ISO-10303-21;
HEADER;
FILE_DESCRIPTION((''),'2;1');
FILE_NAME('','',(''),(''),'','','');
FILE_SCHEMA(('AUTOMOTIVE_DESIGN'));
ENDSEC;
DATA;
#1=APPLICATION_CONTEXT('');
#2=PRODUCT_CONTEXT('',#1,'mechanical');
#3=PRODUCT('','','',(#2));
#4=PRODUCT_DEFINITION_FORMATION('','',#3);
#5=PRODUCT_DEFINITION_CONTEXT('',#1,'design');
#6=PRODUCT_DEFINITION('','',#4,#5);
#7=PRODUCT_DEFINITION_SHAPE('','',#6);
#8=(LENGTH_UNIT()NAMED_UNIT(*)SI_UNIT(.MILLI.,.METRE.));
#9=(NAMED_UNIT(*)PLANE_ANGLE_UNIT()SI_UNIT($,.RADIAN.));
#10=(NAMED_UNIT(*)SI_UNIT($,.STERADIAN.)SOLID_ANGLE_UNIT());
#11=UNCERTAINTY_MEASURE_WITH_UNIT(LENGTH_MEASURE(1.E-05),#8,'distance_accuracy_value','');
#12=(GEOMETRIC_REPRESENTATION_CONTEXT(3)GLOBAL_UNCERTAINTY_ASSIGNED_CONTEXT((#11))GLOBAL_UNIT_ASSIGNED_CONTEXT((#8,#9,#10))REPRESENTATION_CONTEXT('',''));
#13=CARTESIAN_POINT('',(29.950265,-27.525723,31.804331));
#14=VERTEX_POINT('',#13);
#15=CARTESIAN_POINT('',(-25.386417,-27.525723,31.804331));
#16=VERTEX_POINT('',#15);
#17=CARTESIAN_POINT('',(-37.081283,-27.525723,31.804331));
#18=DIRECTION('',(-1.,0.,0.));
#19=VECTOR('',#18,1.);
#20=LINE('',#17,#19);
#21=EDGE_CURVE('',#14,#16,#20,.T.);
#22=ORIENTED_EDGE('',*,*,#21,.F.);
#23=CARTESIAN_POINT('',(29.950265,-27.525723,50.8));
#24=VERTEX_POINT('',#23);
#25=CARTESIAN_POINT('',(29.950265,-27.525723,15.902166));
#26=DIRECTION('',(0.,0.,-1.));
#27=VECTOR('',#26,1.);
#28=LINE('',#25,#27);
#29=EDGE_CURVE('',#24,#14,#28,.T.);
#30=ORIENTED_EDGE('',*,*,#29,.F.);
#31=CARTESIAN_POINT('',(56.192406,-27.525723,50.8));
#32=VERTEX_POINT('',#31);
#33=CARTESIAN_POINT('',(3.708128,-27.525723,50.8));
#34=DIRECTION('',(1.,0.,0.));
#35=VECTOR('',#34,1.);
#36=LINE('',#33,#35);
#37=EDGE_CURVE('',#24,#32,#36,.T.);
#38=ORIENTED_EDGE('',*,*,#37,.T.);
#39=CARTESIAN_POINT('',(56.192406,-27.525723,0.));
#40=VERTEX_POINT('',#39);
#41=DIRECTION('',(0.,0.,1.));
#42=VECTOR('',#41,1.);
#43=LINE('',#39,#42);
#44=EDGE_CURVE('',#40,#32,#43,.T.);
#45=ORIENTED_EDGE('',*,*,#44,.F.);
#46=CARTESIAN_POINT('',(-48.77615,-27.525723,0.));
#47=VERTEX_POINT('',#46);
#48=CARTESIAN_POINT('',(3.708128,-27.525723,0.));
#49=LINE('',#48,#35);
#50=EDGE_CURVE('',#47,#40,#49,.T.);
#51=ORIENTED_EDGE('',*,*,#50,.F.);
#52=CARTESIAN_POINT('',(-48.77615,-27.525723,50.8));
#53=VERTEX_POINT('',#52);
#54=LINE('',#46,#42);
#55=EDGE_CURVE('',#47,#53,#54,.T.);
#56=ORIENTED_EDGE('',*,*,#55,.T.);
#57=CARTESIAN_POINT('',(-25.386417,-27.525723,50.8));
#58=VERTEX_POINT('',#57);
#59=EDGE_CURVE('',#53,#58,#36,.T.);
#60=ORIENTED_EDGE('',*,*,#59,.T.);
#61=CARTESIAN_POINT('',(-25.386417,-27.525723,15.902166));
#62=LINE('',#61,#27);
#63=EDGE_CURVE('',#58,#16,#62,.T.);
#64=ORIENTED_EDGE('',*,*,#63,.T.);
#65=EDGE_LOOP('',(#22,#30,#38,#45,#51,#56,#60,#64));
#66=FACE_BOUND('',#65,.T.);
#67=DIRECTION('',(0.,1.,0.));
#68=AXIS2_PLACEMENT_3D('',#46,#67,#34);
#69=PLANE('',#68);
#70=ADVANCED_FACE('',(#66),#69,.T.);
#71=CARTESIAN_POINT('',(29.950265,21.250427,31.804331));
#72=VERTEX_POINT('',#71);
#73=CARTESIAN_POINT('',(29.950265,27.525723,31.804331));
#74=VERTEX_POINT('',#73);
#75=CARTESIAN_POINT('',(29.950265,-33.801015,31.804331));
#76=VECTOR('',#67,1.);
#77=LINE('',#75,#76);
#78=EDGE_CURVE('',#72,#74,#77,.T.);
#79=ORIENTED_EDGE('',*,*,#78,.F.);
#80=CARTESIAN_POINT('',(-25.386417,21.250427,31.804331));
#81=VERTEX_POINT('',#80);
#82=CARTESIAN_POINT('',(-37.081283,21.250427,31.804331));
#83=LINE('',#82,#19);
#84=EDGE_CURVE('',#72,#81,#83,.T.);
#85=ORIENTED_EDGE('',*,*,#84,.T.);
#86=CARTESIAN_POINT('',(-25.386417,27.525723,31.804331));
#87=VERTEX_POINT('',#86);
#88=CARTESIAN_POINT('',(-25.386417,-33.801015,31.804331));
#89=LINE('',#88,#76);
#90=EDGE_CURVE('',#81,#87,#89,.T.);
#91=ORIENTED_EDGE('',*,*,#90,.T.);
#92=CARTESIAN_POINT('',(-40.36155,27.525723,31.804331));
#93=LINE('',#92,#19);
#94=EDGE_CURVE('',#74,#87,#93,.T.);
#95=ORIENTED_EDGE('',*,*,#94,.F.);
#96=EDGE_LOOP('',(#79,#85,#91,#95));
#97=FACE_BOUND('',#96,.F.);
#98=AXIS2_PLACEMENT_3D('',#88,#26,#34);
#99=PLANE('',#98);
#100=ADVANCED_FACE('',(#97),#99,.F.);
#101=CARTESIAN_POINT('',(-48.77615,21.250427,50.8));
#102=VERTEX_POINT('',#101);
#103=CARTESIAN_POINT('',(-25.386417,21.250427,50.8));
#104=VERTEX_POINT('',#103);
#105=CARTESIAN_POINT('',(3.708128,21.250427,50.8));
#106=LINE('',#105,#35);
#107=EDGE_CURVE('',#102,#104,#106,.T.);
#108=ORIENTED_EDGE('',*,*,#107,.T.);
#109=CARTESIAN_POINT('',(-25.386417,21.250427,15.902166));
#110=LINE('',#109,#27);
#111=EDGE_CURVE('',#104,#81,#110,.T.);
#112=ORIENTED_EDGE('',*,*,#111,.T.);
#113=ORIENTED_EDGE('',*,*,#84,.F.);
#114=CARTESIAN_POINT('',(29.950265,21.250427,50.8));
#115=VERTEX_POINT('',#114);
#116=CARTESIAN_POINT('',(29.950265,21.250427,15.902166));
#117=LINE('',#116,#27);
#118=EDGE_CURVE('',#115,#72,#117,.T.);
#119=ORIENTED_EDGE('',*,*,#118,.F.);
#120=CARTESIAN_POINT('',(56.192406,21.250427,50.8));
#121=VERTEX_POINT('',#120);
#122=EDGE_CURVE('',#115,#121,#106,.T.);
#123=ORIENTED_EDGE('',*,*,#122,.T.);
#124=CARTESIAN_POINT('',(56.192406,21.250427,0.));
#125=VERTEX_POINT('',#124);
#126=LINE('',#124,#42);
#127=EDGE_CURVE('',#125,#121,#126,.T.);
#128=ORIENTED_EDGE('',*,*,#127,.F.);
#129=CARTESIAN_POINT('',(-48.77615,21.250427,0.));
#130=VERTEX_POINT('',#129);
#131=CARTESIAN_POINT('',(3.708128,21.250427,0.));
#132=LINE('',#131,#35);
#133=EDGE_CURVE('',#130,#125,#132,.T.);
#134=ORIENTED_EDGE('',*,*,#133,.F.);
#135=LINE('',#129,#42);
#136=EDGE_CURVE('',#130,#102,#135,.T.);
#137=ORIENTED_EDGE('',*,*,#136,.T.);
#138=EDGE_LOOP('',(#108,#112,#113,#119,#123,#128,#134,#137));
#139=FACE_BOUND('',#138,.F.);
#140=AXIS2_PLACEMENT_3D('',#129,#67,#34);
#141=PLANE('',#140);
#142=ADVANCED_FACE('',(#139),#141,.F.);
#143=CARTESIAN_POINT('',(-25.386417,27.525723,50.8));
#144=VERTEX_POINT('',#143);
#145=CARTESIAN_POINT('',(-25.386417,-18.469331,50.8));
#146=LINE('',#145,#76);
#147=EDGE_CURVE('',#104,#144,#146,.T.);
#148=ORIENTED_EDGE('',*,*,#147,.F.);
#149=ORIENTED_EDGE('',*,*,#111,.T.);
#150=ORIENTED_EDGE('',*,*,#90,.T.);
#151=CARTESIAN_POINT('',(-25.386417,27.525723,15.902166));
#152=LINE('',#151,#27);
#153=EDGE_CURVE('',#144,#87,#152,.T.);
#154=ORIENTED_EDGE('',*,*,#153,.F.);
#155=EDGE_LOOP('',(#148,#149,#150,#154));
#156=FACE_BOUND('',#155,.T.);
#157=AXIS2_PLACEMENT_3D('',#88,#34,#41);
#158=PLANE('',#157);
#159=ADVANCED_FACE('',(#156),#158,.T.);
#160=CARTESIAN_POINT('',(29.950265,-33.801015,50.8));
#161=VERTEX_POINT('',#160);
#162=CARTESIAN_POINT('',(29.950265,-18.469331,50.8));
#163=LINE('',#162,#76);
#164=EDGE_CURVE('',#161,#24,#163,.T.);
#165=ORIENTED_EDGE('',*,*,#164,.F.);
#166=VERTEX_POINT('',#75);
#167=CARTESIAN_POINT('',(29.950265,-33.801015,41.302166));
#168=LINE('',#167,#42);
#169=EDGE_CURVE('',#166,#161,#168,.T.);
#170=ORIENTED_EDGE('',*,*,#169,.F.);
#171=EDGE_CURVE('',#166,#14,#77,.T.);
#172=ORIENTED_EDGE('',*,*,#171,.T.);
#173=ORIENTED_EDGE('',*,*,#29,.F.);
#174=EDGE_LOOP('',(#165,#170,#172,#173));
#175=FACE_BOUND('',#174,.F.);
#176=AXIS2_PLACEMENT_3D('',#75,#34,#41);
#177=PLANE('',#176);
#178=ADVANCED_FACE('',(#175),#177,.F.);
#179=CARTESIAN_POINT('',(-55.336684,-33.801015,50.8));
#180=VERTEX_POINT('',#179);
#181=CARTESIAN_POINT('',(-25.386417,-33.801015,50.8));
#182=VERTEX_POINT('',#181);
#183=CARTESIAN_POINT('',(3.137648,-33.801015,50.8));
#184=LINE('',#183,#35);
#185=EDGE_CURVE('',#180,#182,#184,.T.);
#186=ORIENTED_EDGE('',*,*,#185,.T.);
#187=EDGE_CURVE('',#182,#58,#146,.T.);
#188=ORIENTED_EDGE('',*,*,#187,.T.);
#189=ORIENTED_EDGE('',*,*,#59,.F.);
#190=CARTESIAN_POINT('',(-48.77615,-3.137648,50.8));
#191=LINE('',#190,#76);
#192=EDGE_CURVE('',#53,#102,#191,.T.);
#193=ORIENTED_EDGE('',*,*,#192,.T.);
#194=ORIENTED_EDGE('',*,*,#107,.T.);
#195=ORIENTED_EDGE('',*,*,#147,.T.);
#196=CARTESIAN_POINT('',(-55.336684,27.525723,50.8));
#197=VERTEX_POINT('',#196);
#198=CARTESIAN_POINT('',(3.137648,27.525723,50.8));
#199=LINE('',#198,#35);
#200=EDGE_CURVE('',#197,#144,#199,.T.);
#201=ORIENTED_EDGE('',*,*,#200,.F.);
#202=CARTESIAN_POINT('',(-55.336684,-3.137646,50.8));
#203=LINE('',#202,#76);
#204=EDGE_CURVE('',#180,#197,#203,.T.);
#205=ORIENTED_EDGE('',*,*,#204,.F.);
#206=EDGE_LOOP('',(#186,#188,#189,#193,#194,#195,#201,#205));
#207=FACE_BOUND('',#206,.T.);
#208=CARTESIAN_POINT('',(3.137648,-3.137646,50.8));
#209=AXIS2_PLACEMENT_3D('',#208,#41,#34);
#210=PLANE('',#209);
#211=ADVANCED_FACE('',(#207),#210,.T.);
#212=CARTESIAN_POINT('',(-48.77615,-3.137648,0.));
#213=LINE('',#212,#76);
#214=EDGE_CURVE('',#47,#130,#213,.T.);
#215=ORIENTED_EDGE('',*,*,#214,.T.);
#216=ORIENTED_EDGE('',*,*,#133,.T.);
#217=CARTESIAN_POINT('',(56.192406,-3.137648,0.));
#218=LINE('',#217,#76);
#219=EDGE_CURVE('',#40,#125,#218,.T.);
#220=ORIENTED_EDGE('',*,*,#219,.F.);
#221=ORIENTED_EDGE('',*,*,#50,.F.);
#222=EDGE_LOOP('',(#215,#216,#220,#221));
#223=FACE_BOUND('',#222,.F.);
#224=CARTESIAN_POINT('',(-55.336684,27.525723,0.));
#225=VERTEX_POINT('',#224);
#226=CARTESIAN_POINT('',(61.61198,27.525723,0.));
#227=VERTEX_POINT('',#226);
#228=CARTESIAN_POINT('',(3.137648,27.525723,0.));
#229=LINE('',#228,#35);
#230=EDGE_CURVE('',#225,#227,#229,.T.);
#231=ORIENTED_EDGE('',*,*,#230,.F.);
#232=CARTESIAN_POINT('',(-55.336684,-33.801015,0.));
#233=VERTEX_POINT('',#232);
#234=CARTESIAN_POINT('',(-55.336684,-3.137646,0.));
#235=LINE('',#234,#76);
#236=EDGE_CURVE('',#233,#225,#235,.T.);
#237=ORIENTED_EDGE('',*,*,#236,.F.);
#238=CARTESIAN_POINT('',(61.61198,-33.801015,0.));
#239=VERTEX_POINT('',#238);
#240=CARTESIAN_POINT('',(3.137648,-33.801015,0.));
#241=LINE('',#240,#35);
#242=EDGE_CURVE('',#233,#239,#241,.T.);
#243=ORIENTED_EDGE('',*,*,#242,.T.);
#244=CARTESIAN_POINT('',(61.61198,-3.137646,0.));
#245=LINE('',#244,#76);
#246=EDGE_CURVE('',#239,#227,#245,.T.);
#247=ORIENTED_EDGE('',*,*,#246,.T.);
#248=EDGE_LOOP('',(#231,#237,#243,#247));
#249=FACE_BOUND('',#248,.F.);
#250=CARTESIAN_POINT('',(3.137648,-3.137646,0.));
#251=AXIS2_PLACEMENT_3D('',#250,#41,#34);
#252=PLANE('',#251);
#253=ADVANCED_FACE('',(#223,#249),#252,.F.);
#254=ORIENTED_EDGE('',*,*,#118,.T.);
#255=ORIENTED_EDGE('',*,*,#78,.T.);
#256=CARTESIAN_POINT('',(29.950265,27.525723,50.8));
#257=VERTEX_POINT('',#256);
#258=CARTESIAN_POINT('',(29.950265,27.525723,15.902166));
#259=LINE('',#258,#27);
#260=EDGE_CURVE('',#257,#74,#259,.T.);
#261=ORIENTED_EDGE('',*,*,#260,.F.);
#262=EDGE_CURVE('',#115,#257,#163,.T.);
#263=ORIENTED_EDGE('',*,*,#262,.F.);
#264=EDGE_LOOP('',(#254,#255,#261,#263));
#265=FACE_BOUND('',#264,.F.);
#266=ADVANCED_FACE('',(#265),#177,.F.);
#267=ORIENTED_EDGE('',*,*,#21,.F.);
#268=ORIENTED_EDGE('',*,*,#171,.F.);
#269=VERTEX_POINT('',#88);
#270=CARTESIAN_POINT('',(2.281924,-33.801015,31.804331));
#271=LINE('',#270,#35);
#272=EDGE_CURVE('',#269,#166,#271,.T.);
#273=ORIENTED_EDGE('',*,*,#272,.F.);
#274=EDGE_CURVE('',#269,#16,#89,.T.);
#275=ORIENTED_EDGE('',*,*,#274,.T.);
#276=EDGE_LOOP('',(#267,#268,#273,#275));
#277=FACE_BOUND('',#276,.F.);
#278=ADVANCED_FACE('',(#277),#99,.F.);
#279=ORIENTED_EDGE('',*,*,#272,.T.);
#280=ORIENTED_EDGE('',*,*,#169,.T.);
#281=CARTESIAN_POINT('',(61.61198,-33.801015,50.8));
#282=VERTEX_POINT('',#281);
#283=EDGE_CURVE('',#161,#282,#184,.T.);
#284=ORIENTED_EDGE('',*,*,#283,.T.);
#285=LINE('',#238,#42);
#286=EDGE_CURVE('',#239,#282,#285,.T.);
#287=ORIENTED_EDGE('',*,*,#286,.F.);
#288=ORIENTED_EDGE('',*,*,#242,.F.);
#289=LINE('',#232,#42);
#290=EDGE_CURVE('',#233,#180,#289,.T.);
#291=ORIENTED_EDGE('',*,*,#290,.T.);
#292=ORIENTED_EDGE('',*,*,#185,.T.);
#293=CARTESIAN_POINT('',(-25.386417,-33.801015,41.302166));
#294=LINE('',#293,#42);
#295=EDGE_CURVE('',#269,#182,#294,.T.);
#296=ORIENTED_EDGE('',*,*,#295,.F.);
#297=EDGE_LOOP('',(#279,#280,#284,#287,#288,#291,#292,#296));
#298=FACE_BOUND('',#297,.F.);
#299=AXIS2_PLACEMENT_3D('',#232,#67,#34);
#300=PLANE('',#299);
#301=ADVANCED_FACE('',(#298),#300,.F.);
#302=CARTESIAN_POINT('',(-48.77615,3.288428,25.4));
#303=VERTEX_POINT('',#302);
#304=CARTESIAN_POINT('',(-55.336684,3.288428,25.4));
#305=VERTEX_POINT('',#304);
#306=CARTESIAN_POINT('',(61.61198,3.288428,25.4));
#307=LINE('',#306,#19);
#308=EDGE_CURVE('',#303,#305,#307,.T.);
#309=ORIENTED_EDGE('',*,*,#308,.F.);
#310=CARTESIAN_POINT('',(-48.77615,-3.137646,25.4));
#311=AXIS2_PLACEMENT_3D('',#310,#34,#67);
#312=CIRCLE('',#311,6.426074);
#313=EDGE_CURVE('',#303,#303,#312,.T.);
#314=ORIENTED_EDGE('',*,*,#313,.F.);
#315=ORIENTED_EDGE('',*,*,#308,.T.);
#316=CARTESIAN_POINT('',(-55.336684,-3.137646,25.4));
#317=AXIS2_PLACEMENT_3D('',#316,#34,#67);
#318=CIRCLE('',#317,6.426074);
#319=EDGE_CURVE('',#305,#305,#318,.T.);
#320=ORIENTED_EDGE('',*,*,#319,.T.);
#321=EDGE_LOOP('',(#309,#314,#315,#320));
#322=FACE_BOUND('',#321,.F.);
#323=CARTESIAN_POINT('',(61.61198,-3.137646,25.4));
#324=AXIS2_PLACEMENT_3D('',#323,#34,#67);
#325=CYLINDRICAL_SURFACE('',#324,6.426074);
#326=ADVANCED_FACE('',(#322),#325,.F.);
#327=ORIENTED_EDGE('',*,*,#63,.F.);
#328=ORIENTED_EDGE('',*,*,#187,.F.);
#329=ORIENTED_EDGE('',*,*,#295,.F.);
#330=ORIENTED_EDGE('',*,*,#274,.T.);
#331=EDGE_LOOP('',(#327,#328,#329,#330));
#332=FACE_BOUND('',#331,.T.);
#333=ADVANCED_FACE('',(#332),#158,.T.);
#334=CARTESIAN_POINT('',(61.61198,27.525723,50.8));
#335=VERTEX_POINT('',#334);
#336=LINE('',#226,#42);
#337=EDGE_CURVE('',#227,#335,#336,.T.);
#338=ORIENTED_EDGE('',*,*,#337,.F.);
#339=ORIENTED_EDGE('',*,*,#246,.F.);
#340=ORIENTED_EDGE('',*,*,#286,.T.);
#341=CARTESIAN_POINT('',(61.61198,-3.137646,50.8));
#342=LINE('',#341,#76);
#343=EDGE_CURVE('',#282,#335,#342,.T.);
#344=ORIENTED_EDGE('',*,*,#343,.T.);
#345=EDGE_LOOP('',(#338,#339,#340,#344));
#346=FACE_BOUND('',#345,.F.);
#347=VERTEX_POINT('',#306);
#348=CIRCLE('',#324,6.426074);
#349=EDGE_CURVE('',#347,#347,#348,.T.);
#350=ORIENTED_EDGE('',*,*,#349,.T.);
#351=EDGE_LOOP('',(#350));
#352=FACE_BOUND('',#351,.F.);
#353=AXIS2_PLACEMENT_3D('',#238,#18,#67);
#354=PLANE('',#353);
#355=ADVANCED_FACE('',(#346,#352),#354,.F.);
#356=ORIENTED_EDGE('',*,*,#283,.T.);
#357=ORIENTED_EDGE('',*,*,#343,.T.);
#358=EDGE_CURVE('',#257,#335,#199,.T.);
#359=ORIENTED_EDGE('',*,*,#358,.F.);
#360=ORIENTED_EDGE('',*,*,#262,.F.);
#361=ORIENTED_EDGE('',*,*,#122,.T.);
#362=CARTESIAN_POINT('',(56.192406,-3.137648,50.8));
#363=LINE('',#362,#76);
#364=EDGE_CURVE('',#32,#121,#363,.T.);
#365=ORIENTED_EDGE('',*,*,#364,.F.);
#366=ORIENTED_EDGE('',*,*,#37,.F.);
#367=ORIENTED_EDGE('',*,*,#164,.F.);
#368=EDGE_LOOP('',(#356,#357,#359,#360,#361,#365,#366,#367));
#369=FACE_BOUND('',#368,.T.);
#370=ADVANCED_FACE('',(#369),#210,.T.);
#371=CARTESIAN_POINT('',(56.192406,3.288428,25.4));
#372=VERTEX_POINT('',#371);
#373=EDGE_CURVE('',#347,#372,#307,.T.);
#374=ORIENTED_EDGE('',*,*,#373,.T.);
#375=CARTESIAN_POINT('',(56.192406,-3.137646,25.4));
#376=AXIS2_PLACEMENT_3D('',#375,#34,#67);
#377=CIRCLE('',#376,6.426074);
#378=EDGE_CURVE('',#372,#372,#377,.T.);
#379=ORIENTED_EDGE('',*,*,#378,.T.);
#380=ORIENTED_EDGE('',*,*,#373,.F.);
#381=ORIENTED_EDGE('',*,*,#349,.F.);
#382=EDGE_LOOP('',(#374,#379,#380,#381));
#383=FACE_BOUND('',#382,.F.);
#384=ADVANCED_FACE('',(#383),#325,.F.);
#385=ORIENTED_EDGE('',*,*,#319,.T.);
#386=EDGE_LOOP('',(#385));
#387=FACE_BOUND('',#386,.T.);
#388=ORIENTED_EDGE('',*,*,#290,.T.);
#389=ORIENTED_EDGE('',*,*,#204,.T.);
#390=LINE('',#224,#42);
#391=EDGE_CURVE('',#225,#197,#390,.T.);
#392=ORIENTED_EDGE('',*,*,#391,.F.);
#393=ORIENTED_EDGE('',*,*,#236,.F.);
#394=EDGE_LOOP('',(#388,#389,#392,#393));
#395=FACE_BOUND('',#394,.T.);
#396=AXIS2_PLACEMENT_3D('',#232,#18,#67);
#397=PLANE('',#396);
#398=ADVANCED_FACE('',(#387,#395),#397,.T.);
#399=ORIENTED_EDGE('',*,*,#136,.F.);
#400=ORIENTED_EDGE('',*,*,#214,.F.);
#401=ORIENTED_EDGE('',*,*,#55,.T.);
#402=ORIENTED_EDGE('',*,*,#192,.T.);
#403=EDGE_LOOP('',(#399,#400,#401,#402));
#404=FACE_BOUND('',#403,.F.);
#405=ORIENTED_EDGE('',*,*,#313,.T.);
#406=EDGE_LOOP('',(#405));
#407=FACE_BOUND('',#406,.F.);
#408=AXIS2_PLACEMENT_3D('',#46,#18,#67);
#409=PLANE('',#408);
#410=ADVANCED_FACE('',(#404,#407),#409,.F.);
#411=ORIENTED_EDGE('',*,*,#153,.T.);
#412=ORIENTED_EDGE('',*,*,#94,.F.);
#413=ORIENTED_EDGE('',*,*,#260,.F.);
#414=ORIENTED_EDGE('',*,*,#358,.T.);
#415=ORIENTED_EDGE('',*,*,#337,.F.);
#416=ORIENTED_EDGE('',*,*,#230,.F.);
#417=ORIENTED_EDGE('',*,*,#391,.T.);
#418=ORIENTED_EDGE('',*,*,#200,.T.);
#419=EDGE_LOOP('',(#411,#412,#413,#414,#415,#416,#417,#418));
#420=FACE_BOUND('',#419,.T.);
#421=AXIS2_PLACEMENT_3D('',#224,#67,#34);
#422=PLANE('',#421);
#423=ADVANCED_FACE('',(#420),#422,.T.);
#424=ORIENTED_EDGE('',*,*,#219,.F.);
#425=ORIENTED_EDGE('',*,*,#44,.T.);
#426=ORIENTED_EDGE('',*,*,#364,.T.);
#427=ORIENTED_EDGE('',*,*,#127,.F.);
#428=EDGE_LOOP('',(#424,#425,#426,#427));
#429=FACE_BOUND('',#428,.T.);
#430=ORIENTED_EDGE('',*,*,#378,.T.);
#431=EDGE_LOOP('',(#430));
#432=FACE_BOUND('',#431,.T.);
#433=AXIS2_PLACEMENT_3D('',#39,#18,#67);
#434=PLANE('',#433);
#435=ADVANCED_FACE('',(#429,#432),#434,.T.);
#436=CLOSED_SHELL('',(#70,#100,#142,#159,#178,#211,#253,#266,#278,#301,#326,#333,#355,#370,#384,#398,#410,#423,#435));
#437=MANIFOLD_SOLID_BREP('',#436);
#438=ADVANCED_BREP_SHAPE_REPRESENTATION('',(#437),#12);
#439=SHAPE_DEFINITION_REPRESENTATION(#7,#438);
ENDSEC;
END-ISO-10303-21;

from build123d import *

# Parameters (mm, degrees)
F0_W     = 116.948664
F0_H     = 61.326738
F0_W_2   = 104.968556
F0_H_2   = 48.77615
F1_DEPTH = 50.8
F2_W     = 55.336682
F2_H     = 18.995669
F3_DEPTH = 76.2
F4_R     = 6.426074
F5_DEPTH = 177.8


with BuildPart() as f1:
    # F0 (on Top) → F1 (new body)
    with BuildSketch(Plane.XY):
        with Locations((3.137648, -3.137646)):
            Rectangle(F0_W, F0_H)
        with Locations((3.708128, -3.137648)):
            Rectangle(F0_W_2, F0_H_2, mode=Mode.SUBTRACT)
    extrude(amount=F1_DEPTH)

    # F2 (on face) → F3 (cut)
    with BuildSketch(Plane.XZ.offset(33.801015)):
        with Locations((2.281924, 41.302166)):
            Rectangle(F2_W, F2_H)
    extrude(amount=-F3_DEPTH, mode=Mode.SUBTRACT)

    # F4 (on face) → F5 (cut)
    with BuildSketch(Plane.YZ.offset(61.61198)):
        with Locations((-3.137646, 25.4)):
            Circle(F4_R)
    extrude(amount=-F5_DEPTH, mode=Mode.SUBTRACT)


solid = f1.part
